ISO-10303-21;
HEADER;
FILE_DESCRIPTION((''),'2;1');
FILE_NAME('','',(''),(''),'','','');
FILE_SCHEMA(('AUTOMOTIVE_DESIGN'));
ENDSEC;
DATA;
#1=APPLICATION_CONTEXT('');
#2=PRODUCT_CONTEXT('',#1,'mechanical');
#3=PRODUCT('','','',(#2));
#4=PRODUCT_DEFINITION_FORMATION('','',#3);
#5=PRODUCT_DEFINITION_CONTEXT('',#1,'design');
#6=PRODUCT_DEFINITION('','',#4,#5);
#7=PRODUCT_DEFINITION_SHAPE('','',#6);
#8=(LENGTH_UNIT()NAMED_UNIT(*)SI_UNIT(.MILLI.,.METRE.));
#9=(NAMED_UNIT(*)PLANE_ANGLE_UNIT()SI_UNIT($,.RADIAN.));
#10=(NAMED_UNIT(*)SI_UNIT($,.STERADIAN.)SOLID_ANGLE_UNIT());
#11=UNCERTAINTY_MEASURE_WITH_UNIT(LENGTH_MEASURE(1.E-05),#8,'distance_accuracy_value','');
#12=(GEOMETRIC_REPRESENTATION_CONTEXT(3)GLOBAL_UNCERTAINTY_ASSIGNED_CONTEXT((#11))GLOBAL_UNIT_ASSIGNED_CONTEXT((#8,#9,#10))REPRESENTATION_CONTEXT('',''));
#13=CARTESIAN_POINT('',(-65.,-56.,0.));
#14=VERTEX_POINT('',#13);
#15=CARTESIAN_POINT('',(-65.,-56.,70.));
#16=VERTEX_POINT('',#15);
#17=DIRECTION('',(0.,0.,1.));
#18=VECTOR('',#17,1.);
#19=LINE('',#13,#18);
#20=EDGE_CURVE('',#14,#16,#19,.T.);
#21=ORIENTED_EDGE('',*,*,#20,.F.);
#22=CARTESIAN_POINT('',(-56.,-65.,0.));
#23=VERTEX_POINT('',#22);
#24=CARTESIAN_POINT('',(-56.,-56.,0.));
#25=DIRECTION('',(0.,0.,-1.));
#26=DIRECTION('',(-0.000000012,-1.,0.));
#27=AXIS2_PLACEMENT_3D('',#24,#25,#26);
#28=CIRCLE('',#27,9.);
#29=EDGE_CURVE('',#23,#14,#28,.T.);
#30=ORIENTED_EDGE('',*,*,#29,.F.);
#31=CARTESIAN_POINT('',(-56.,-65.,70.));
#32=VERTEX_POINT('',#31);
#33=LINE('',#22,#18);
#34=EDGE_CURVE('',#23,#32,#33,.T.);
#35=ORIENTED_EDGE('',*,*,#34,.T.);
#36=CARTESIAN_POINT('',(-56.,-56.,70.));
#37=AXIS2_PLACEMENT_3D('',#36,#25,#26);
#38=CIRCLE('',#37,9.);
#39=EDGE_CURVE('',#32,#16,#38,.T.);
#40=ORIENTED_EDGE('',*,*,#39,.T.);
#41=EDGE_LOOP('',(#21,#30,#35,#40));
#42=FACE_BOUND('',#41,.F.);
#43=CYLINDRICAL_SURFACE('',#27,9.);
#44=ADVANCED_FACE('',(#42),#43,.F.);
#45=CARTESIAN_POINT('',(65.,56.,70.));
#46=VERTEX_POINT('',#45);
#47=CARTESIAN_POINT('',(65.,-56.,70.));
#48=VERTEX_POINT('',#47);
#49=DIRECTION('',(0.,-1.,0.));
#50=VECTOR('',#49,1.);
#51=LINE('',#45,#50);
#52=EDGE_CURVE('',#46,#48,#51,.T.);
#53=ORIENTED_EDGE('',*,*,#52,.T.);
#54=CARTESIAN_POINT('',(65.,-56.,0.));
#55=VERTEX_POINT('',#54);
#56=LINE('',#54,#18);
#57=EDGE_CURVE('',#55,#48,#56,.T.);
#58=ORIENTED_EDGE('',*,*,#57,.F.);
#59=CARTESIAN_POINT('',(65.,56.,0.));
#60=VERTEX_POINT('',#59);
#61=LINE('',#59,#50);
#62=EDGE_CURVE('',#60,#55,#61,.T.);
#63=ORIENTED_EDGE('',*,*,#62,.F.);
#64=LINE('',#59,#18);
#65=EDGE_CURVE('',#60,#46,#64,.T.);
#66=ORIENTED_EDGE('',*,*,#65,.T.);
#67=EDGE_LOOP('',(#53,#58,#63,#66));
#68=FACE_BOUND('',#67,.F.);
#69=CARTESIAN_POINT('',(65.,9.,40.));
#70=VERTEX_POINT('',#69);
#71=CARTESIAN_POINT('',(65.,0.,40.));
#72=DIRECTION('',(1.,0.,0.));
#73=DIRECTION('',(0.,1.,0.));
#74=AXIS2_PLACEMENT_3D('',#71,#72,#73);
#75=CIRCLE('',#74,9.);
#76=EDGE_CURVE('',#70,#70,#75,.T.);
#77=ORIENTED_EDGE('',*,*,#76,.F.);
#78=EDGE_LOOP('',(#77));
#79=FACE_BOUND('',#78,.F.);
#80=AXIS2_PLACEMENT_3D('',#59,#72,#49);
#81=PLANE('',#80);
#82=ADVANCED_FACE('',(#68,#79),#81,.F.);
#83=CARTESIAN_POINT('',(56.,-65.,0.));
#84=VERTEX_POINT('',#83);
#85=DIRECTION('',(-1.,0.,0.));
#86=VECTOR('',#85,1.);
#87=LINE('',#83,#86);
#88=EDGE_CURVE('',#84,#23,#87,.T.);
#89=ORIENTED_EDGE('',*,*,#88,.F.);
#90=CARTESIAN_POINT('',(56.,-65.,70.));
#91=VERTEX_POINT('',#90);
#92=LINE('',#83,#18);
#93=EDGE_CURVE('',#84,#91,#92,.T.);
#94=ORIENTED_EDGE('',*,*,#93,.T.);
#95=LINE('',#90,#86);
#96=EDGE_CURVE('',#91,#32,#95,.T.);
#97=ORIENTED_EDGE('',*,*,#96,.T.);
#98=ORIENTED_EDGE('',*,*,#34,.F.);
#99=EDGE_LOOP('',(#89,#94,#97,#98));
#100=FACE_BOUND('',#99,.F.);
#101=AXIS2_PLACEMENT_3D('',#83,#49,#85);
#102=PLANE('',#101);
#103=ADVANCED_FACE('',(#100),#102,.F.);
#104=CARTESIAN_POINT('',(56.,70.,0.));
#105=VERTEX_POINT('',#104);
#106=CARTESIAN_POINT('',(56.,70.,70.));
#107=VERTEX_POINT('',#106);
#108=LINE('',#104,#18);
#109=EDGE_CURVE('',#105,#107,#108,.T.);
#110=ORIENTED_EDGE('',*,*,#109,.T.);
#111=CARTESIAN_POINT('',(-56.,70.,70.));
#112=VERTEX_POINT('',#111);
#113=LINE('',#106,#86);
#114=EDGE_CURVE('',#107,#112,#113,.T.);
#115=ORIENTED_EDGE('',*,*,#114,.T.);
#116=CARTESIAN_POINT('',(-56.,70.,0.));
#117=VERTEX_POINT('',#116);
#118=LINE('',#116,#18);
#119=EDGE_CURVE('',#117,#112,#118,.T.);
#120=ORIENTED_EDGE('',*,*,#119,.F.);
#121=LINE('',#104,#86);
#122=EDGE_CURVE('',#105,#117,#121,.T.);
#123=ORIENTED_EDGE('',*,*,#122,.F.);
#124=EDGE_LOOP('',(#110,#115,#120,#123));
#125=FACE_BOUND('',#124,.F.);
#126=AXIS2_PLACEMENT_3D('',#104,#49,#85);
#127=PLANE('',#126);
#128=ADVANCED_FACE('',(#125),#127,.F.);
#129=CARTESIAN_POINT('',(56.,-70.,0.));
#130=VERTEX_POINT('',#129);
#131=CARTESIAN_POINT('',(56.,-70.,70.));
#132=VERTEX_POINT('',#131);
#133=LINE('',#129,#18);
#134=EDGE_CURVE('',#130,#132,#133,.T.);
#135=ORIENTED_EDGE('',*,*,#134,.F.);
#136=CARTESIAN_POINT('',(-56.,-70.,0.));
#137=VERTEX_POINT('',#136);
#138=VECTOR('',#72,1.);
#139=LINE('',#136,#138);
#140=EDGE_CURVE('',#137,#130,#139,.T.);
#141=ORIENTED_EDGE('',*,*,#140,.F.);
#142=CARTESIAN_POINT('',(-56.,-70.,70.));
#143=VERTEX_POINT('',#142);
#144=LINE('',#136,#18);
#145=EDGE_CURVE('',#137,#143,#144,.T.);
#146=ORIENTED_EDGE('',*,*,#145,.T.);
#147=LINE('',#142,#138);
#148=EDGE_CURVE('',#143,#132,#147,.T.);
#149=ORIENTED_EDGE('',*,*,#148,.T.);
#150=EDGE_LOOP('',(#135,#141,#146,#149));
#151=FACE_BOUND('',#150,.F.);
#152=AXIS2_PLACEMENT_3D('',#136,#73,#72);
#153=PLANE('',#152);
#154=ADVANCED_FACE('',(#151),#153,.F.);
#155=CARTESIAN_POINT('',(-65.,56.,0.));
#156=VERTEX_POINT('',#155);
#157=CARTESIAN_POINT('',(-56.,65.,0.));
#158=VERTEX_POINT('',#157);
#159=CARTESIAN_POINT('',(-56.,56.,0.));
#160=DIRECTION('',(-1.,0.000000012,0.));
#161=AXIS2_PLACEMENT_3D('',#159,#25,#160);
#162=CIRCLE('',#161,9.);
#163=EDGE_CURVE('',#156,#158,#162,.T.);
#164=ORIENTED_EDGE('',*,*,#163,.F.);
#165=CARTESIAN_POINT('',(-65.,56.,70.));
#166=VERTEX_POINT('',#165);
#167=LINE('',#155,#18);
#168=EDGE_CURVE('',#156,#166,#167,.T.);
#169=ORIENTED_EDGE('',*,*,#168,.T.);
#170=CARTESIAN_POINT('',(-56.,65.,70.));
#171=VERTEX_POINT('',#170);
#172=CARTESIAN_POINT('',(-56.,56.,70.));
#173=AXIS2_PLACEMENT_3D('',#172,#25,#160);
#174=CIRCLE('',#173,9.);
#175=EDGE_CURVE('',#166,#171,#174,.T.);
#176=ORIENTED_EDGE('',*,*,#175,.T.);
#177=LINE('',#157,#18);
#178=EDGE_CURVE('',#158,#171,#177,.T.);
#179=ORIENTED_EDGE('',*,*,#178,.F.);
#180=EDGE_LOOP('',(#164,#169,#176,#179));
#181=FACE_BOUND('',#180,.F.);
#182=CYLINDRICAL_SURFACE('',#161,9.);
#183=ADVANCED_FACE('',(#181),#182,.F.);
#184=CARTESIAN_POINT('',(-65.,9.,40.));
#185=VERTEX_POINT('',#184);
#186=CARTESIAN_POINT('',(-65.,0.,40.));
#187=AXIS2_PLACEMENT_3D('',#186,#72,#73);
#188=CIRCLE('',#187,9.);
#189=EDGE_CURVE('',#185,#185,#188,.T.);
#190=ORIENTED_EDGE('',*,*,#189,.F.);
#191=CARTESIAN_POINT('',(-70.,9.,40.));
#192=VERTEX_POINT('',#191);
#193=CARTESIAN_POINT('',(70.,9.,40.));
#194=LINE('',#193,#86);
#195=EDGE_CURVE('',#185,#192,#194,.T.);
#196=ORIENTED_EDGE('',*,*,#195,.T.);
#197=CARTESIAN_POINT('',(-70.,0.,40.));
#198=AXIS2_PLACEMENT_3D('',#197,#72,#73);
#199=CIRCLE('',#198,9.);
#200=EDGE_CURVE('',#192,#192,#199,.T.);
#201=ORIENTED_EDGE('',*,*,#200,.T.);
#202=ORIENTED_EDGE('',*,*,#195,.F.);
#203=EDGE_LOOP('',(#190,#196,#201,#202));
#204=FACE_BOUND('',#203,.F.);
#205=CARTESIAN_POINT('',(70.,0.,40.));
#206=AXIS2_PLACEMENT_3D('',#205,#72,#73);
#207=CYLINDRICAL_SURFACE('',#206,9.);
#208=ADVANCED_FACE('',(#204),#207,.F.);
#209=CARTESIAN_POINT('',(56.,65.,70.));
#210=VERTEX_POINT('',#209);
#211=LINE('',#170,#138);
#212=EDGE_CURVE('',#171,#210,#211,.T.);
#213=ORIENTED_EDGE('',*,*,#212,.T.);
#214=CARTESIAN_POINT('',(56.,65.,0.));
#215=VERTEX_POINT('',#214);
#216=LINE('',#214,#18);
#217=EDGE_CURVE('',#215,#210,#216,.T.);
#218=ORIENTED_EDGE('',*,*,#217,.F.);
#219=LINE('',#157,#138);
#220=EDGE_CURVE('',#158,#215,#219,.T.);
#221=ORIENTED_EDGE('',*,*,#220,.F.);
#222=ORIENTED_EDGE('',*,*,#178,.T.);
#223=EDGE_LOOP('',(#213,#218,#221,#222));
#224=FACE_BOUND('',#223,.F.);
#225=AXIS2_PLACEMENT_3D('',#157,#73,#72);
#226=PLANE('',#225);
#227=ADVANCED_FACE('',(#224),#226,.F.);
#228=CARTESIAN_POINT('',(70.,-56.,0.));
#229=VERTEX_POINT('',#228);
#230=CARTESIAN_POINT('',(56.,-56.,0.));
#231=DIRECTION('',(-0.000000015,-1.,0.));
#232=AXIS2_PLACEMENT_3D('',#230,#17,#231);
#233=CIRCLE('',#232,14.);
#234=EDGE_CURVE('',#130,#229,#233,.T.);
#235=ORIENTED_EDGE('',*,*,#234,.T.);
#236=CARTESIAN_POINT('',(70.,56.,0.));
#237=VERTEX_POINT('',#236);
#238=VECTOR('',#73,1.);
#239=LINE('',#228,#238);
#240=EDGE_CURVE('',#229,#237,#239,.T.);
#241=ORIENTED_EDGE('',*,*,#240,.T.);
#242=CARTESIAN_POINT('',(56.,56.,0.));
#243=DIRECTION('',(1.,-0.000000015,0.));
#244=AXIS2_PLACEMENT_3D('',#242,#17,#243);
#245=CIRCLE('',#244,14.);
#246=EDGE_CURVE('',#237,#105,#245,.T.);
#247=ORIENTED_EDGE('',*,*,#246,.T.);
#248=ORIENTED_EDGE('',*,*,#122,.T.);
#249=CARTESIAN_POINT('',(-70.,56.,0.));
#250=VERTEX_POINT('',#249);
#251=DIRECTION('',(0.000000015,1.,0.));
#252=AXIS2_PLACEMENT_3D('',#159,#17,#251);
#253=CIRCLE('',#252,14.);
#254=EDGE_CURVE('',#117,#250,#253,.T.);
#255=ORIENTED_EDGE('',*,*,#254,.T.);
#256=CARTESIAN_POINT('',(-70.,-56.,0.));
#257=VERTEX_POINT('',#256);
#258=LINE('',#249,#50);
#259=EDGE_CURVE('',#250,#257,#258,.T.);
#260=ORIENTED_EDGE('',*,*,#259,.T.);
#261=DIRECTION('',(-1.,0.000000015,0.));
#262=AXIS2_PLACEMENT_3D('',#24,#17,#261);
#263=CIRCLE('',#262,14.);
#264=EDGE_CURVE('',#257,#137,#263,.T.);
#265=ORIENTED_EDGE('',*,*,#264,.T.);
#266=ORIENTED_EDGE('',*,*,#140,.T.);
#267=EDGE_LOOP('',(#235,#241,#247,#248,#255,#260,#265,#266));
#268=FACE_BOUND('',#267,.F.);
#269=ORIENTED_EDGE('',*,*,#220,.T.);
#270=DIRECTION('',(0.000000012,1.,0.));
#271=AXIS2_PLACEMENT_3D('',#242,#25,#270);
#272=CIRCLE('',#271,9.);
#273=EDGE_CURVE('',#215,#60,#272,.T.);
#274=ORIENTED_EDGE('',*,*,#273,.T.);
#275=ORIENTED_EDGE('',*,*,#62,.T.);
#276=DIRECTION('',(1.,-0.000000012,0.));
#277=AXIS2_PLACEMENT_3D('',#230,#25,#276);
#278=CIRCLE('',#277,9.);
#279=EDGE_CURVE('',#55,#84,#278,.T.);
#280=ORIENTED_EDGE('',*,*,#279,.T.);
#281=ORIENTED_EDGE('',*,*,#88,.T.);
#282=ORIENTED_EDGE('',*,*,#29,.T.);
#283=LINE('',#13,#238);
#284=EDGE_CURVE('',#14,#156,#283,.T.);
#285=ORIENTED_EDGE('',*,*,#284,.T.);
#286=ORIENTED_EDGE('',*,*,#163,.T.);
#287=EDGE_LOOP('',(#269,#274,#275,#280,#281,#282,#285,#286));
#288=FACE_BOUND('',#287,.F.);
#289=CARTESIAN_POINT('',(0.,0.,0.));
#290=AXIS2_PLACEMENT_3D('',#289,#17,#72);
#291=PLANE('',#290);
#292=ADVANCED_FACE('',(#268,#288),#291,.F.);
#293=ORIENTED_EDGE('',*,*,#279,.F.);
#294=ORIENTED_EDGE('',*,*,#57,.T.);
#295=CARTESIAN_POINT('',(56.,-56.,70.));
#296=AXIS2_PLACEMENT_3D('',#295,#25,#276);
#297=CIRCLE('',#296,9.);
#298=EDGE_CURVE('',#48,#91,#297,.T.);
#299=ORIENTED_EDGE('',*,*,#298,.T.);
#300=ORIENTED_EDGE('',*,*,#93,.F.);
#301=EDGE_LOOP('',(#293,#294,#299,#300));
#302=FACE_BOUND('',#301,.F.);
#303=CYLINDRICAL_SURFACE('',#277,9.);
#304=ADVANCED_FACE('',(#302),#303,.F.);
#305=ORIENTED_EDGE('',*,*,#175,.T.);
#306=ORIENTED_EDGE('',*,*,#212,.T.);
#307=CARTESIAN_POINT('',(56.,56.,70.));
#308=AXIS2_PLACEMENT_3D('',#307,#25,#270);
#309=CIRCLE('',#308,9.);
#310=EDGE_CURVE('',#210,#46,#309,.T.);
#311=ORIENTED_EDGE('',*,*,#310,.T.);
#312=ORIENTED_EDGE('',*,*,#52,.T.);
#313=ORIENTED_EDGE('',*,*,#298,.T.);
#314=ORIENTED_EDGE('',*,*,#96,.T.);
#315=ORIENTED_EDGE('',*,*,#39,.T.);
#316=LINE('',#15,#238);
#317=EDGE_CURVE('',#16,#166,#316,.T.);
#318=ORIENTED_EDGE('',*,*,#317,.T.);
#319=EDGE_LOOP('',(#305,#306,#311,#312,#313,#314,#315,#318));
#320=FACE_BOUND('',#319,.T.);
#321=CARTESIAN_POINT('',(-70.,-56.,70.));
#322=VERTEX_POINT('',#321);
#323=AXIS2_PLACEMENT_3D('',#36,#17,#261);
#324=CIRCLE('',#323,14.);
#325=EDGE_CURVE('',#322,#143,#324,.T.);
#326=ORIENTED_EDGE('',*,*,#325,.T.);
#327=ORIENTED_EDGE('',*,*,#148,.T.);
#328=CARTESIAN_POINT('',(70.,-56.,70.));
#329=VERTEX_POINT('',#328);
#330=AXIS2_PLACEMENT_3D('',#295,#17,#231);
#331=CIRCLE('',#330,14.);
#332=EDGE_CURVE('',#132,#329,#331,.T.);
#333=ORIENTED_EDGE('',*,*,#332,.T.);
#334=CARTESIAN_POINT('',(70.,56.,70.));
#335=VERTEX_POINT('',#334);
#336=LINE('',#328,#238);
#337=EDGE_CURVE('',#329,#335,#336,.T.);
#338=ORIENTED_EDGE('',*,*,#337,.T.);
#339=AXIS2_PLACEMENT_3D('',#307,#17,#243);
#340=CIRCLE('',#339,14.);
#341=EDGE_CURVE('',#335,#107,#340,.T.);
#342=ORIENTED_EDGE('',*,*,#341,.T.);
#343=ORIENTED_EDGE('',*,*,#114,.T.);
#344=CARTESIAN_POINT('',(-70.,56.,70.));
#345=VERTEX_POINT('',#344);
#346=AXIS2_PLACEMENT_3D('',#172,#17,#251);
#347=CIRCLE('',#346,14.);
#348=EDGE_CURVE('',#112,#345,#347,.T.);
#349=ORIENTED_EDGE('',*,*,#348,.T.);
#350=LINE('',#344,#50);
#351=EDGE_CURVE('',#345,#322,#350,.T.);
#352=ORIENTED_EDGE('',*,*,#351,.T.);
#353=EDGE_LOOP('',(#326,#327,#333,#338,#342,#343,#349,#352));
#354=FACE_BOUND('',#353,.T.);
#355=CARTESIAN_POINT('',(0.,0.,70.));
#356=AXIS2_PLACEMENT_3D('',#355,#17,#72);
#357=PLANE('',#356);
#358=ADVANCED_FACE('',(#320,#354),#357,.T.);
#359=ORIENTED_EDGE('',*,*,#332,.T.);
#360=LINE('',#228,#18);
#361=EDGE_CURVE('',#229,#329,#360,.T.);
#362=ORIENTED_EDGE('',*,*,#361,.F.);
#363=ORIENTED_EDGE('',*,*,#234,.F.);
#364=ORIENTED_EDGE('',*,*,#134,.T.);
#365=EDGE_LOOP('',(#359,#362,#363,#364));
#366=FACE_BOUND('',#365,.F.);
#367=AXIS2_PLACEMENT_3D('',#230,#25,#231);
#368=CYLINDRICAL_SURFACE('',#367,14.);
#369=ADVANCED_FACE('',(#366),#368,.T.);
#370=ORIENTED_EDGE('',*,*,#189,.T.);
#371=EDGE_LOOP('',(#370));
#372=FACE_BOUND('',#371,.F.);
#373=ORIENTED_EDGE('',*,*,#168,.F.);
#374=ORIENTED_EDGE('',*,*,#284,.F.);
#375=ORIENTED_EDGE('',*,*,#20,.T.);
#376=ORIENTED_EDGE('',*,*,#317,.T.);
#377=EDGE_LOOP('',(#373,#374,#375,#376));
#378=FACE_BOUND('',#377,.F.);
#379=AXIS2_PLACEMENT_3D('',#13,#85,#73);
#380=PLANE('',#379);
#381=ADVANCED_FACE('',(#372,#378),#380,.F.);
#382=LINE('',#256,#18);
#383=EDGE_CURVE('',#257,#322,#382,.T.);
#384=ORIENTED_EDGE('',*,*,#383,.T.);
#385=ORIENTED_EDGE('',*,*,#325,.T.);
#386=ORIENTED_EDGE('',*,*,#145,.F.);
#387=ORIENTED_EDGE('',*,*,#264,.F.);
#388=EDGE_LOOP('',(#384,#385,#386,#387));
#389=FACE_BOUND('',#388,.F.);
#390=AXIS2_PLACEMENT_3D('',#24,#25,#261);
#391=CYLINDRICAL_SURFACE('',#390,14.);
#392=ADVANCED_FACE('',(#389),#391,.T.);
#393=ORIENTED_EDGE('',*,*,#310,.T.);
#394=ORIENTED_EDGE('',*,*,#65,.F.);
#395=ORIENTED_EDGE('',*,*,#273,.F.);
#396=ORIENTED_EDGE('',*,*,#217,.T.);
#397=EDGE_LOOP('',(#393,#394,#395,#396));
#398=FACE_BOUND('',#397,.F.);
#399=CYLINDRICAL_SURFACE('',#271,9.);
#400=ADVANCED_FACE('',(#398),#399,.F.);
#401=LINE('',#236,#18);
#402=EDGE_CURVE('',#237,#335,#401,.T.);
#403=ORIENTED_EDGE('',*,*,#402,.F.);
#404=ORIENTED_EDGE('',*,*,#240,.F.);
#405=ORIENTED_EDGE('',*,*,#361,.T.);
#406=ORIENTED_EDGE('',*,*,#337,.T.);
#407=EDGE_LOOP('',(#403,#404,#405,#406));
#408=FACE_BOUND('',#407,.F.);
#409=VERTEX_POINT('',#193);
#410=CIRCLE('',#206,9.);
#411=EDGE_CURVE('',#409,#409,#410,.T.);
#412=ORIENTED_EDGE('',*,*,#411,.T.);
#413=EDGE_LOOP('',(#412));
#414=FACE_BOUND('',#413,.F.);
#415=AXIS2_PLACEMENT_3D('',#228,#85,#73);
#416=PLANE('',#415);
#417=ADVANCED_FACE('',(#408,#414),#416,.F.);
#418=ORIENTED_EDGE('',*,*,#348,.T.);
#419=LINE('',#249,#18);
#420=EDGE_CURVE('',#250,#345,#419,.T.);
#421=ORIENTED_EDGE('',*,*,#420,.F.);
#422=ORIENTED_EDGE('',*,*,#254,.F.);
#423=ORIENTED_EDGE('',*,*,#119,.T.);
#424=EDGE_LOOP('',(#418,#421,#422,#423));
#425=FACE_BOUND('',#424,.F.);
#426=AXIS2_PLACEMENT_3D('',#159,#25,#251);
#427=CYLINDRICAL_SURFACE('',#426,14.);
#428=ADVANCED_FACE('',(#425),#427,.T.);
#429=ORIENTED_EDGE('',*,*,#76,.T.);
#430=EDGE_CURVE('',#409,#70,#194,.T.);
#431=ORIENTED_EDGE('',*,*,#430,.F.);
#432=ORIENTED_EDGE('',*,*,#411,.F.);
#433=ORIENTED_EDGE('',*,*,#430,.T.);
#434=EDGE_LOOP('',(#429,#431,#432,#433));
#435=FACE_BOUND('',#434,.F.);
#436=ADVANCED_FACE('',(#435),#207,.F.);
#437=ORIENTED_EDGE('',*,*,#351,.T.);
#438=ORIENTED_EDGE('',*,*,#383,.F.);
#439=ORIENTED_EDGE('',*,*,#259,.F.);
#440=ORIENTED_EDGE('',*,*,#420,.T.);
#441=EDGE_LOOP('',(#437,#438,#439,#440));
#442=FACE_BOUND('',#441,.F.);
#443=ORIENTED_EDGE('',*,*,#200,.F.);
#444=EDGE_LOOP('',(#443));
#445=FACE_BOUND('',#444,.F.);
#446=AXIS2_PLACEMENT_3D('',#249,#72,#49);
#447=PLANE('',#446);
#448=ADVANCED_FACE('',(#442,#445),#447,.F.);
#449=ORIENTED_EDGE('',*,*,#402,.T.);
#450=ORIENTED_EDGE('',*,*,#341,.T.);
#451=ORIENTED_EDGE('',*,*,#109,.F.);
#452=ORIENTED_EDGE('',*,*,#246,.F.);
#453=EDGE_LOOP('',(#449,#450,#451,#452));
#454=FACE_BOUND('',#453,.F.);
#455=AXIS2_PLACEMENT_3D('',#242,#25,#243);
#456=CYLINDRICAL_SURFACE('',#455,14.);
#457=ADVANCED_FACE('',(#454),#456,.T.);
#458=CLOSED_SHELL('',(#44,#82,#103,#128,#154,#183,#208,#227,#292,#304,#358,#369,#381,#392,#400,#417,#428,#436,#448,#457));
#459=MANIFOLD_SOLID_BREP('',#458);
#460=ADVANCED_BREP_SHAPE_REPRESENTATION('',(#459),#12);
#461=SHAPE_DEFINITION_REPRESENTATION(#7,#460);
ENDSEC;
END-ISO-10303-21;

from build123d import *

# Parameters (mm, degrees)
F1_DEPTH = 70
F2_R     = 9
F3_DEPTH = 140.001


with BuildPart() as f1:
    # F0 (on Top) → F1 (new body)
    with BuildSketch(Plane.XY):
        with BuildLine():
            Line((-56, -70), (56, -70))
            ThreePointArc((56, -70), (65.899495, -65.899495), (70, -56))
            Line((70, -56), (70, 56))
            ThreePointArc((70, 56), (65.899495, 65.899495), (56, 70))
            Line((56, 70), (-56, 70))
            ThreePointArc((-56, 70), (-65.899495, 65.899495), (-70, 56))
            Line((-70, 56), (-70, -56))
            ThreePointArc((-70, -56), (-65.899495, -65.899495), (-56, -70))
        make_face()
        with BuildLine():
            ThreePointArc((-56, -65), (-62.363961, -62.363961), (-65, -56))
            Line((-65, -56), (-65, 56))
            ThreePointArc((-65, 56), (-62.363961, 62.363961), (-56, 65))
            Line((-56, 65), (56, 65))
            ThreePointArc((56, 65), (62.363961, 62.363961), (65, 56))
            Line((65, 56), (65, -56))
            ThreePointArc((65, -56), (62.363961, -62.363961), (56, -65))
            Line((56, -65), (-56, -65))
        make_face(mode=Mode.SUBTRACT)
    extrude(amount=F1_DEPTH)

    # F2 (on face) → F3 (cut, through all)
    with BuildSketch(Plane.YZ.offset(70)):
        with Locations((0, 40)):
            Circle(F2_R)
    extrude(amount=-F3_DEPTH, mode=Mode.SUBTRACT)


solid = f1.part
